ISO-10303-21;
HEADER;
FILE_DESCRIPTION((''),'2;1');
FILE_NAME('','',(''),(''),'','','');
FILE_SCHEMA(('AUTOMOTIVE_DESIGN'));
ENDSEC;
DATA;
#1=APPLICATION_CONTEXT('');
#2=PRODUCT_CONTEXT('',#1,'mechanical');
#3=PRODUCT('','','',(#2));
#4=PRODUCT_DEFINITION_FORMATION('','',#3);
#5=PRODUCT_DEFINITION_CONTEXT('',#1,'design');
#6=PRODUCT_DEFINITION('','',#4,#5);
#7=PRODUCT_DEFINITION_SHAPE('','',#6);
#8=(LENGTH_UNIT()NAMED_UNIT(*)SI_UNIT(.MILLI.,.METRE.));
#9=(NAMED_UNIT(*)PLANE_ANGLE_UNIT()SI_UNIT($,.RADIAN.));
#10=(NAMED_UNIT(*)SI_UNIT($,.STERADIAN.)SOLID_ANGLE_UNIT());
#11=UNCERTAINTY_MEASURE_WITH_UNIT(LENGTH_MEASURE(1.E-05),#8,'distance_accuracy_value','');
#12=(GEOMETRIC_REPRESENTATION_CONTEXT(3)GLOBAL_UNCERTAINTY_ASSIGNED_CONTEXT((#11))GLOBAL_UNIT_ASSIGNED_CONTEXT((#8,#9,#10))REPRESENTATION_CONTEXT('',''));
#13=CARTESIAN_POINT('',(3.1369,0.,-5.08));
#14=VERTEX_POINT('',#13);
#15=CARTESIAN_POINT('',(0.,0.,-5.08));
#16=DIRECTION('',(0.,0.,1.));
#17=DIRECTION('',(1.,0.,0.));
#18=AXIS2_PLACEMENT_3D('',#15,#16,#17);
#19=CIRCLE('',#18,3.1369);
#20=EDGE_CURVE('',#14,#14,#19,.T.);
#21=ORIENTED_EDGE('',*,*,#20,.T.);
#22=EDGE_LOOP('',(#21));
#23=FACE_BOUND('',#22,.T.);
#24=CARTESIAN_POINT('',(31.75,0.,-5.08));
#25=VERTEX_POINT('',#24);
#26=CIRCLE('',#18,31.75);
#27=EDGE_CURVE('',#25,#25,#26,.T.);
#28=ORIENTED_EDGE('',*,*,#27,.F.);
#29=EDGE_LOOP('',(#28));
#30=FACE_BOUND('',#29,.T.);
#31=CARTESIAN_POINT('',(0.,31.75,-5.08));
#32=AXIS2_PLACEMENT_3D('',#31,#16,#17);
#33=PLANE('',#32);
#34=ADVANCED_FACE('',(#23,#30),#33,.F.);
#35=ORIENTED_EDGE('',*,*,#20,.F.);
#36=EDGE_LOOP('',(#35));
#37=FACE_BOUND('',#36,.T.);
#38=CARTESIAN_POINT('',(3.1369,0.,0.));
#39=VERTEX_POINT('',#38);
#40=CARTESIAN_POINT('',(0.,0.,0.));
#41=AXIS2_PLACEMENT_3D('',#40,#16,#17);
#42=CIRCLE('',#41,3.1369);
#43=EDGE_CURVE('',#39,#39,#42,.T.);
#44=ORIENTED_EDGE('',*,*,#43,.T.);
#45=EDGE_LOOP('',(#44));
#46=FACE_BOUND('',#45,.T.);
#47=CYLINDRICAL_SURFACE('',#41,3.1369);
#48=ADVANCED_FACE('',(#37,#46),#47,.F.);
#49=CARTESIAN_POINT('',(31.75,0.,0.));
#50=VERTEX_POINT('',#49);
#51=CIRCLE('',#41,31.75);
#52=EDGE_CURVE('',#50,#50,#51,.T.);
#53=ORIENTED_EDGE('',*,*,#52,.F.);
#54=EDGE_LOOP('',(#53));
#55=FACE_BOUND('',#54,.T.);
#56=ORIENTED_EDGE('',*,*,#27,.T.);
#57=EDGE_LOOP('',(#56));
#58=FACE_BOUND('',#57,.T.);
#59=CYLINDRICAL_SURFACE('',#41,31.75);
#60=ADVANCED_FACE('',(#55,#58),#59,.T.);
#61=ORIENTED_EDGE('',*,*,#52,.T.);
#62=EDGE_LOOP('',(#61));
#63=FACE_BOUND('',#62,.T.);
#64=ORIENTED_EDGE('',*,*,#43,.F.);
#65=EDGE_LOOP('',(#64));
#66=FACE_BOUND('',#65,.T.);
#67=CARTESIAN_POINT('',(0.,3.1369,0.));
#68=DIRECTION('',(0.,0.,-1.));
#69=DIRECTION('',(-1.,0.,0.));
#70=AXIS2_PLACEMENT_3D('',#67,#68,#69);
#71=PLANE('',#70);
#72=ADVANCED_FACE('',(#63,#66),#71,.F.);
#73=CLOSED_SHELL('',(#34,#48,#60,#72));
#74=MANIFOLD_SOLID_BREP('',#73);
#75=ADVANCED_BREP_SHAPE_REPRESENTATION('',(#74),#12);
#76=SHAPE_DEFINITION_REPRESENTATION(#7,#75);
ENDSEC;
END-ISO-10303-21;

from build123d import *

# Parameters (mm, degrees)
SKETCH1_W = 5.08
SKETCH1_H = 28.6131


with BuildPart() as part:
    # Sketch1 → Revolve1 (revolve)
    with BuildSketch(Plane(origin=(0, 0, 0), x_dir=(0, 0, -1), z_dir=(1, 0, 0))):
        with Locations((2.54, 17.44345)):
            Rectangle(SKETCH1_W, SKETCH1_H)
    revolve(axis=Axis((0, 0, 0), (0, 0, -1)))


solid = part.part
